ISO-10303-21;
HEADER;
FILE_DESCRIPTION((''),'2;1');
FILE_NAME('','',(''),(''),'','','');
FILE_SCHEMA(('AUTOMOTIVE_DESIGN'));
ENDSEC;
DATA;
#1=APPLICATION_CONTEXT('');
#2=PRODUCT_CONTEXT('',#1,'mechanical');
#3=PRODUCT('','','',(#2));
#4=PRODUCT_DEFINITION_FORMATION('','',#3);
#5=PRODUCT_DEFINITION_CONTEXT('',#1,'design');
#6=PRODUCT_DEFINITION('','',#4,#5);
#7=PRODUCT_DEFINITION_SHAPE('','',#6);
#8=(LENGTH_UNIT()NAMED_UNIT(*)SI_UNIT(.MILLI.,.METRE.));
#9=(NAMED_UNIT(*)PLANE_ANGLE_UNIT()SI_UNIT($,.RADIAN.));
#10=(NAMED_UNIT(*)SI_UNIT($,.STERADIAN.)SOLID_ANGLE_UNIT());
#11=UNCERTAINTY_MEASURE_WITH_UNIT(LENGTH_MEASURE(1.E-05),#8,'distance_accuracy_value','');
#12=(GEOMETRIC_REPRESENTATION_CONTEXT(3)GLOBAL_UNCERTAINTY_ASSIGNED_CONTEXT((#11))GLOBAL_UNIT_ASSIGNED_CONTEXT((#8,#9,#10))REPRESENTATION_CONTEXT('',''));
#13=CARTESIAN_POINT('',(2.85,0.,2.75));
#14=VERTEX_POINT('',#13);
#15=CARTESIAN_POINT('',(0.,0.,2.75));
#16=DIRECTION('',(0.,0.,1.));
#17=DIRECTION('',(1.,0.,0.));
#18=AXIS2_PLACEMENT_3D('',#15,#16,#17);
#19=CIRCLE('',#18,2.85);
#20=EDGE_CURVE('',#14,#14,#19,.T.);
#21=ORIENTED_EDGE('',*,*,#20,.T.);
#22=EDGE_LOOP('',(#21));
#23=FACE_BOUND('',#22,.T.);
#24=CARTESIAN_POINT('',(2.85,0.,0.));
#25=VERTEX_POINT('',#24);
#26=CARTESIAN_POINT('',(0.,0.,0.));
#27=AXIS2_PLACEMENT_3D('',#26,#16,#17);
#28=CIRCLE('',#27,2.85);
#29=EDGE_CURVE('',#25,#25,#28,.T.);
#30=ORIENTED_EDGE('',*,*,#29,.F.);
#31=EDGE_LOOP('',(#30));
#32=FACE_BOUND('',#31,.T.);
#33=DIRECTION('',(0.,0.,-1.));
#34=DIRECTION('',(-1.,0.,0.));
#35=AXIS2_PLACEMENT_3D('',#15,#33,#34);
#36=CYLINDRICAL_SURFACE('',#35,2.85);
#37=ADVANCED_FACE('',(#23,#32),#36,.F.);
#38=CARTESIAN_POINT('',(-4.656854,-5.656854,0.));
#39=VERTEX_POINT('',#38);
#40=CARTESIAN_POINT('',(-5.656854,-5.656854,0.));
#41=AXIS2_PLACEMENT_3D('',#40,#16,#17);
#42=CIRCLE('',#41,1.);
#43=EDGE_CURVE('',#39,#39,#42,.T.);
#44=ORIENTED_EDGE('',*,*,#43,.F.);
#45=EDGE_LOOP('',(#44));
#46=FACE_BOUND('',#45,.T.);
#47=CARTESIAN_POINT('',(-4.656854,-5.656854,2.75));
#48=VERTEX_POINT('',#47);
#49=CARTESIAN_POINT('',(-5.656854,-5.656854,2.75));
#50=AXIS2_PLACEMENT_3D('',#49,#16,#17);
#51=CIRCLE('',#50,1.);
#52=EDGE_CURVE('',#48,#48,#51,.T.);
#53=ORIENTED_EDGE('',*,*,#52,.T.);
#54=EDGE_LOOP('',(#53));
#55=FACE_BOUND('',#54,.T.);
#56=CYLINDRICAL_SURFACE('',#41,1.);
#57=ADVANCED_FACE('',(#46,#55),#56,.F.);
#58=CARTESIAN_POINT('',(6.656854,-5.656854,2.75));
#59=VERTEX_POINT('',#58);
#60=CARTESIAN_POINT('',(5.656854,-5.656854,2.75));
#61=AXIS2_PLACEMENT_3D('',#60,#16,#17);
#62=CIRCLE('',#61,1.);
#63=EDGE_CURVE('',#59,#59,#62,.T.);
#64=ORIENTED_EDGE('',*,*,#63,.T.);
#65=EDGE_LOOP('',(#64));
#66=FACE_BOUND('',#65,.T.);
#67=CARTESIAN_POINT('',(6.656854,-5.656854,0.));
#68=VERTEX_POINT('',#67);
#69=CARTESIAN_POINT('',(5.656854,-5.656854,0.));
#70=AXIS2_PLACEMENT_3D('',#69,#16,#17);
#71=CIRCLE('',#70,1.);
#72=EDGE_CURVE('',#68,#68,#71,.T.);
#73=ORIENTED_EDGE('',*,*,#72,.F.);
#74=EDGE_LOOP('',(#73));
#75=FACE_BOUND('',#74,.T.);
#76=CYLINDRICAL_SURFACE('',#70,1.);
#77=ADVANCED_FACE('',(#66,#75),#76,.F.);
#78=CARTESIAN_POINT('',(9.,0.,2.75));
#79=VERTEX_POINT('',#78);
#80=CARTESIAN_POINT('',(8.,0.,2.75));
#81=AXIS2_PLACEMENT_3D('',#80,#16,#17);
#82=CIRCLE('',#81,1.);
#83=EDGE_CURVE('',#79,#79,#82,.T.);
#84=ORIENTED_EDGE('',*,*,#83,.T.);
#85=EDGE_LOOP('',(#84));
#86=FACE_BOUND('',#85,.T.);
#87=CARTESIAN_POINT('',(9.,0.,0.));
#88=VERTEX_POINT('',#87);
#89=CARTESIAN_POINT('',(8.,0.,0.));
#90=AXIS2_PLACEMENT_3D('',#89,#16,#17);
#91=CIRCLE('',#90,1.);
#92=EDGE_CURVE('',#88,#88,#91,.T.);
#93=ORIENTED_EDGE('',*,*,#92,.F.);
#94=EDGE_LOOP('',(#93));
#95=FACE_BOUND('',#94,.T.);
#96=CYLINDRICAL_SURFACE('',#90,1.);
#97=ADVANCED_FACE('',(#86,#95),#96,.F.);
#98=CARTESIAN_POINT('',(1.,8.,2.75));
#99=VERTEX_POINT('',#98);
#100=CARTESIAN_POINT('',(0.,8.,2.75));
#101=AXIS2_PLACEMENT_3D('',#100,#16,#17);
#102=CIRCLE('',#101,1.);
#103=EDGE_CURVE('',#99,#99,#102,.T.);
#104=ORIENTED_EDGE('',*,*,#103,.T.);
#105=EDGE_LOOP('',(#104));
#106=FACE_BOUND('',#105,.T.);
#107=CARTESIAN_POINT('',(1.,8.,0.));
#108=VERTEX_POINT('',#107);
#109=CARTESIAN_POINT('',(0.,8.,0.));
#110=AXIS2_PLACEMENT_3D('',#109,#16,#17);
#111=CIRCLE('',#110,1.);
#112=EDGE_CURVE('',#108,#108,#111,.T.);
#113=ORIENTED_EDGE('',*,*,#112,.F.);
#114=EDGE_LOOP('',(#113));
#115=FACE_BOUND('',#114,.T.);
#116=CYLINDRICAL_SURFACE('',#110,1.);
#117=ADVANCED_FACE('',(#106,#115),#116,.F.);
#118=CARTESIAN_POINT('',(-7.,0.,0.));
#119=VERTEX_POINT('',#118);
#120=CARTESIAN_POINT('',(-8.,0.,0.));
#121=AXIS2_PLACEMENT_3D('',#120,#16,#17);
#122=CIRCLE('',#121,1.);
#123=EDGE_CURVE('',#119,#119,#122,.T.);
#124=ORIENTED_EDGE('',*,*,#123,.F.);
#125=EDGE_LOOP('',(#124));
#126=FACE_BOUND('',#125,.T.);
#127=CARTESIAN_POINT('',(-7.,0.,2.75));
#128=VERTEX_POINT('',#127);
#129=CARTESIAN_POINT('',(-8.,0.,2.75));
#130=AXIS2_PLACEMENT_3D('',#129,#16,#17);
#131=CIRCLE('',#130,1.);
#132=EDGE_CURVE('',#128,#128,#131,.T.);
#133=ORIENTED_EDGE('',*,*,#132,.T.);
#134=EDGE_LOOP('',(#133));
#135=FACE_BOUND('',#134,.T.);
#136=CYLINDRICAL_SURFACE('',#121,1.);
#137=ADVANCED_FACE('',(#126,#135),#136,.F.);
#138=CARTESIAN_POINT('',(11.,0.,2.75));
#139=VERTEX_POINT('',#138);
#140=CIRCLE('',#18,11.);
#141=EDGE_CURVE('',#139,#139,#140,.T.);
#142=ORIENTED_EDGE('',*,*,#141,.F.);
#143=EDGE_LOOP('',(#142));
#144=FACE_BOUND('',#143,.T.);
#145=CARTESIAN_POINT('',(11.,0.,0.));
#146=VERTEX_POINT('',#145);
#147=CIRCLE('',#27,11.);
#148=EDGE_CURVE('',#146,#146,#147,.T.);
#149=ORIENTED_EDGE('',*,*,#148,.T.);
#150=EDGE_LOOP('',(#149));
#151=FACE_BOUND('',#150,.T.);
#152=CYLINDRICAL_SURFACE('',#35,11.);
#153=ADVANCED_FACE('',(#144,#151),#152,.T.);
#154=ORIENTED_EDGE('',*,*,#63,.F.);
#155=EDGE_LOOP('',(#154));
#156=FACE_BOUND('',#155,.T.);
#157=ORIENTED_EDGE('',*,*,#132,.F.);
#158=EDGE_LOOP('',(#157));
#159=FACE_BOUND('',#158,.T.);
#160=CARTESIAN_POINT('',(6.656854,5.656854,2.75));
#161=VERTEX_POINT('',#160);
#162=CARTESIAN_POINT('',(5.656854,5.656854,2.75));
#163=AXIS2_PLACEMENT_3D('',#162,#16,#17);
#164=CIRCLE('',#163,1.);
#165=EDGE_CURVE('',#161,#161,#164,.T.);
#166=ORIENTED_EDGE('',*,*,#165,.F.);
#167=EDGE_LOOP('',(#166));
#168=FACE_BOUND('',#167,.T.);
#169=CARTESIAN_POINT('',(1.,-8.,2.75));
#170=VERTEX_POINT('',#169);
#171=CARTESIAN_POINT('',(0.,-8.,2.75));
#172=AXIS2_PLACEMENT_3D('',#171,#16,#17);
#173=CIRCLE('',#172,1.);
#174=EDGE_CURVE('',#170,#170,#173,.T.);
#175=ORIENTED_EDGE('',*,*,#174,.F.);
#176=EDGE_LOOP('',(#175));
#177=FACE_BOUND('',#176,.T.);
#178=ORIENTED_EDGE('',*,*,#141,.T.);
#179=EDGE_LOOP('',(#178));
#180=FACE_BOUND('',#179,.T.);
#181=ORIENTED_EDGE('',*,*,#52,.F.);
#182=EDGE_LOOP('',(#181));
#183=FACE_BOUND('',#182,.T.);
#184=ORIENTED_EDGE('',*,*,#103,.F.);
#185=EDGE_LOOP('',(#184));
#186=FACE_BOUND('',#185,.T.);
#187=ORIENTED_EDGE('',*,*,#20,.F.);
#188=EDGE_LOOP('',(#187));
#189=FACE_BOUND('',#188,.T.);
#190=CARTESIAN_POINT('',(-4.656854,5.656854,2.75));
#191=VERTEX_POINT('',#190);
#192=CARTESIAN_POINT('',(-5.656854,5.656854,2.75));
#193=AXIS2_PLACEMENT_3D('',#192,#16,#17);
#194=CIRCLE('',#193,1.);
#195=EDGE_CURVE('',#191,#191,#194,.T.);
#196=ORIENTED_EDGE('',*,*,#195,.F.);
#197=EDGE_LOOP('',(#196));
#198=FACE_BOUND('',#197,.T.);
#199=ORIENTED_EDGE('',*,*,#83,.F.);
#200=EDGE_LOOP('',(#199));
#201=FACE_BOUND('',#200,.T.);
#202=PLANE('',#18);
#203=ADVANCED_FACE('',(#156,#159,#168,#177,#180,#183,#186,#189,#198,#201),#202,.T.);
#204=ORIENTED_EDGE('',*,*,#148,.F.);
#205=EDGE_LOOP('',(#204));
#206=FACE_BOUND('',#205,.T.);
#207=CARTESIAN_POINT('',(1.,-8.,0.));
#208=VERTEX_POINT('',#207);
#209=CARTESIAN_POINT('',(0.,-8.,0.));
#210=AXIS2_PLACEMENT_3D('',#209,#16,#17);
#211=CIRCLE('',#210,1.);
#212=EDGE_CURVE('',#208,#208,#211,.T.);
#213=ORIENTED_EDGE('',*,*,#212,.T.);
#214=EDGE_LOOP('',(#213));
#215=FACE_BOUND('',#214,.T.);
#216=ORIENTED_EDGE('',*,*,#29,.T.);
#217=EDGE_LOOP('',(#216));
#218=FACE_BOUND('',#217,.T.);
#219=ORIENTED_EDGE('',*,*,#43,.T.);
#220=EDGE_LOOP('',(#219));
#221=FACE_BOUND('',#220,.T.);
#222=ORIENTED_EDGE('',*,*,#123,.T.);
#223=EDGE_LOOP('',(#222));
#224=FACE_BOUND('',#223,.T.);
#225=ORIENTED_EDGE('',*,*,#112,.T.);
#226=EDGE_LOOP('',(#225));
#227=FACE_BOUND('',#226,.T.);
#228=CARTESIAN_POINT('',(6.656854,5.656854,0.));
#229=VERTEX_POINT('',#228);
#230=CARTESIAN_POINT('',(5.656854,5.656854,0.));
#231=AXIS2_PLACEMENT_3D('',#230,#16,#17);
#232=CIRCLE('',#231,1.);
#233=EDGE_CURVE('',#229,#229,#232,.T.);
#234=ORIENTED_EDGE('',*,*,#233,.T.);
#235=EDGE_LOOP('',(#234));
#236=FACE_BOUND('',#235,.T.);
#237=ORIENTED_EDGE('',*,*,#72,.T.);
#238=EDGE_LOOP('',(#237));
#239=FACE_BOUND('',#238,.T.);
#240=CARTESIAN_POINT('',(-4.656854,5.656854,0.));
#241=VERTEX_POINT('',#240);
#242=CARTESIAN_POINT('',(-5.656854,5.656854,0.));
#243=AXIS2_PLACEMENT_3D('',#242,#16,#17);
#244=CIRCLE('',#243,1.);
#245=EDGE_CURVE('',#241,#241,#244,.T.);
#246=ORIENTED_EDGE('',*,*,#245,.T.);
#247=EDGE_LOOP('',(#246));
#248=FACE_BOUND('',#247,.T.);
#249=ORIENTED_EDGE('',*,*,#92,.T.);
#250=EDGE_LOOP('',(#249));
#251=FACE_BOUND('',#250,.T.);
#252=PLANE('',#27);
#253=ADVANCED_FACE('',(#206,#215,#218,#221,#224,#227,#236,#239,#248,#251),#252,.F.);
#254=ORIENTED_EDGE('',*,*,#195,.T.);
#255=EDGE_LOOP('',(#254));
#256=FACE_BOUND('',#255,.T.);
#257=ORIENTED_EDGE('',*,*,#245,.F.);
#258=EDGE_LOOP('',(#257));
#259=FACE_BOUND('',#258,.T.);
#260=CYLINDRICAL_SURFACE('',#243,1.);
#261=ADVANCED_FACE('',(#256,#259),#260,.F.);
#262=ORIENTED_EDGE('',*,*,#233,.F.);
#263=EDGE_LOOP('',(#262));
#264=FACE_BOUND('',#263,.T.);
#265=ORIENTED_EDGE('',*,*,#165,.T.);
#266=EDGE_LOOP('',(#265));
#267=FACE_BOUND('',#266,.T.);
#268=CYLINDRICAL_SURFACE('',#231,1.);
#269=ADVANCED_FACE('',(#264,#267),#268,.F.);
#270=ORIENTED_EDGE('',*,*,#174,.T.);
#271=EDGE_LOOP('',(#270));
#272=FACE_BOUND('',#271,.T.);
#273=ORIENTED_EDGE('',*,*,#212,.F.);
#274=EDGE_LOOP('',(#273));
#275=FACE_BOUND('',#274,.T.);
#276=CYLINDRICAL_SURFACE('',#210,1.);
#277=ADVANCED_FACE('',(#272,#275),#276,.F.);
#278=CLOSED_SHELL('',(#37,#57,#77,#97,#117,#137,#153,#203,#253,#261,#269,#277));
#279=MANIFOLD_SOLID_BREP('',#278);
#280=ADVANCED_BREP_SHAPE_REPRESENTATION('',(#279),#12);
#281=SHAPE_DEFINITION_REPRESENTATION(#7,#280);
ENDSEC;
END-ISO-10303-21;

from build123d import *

# Parameters (mm, degrees)
SKETCH1_R           = 11
SKETCH1_R_2         = 2.85
BOSS_EXTRUDE1_DEPTH = 2.75
SKETCH2_R           = 1
CUT_EXTRUDE1_DEPTH  = 16.797547278


with BuildPart() as part:
    # Sketch1 → Boss-Extrude1 (new body)
    with BuildSketch(Plane.XY):
        Circle(SKETCH1_R)
        Circle(SKETCH1_R_2, mode=Mode.SUBTRACT)
    extrude(amount=BOSS_EXTRUDE1_DEPTH)

    # Sketch2 → Cut-Extrude1 (cut, through all)
    with BuildSketch(Plane.XY.offset(2.75)):
        with Locations((0, 8)):
            Circle(SKETCH2_R)
        with Locations((5.656854249, 5.656854249)):
            Circle(SKETCH2_R)
        with Locations((8, 0)):
            Circle(SKETCH2_R)
        with Locations((5.656854249, -5.656854249)):
            Circle(SKETCH2_R)
        with Locations((0, -8)):
            Circle(SKETCH2_R)
        with Locations((-5.656854249, -5.656854249)):
            Circle(SKETCH2_R)
        with Locations((-8, 0)):
            Circle(SKETCH2_R)
        with Locations((-5.656854249, 5.656854249)):
            Circle(SKETCH2_R)
    extrude(amount=-CUT_EXTRUDE1_DEPTH, mode=Mode.SUBTRACT)


solid = part.part
